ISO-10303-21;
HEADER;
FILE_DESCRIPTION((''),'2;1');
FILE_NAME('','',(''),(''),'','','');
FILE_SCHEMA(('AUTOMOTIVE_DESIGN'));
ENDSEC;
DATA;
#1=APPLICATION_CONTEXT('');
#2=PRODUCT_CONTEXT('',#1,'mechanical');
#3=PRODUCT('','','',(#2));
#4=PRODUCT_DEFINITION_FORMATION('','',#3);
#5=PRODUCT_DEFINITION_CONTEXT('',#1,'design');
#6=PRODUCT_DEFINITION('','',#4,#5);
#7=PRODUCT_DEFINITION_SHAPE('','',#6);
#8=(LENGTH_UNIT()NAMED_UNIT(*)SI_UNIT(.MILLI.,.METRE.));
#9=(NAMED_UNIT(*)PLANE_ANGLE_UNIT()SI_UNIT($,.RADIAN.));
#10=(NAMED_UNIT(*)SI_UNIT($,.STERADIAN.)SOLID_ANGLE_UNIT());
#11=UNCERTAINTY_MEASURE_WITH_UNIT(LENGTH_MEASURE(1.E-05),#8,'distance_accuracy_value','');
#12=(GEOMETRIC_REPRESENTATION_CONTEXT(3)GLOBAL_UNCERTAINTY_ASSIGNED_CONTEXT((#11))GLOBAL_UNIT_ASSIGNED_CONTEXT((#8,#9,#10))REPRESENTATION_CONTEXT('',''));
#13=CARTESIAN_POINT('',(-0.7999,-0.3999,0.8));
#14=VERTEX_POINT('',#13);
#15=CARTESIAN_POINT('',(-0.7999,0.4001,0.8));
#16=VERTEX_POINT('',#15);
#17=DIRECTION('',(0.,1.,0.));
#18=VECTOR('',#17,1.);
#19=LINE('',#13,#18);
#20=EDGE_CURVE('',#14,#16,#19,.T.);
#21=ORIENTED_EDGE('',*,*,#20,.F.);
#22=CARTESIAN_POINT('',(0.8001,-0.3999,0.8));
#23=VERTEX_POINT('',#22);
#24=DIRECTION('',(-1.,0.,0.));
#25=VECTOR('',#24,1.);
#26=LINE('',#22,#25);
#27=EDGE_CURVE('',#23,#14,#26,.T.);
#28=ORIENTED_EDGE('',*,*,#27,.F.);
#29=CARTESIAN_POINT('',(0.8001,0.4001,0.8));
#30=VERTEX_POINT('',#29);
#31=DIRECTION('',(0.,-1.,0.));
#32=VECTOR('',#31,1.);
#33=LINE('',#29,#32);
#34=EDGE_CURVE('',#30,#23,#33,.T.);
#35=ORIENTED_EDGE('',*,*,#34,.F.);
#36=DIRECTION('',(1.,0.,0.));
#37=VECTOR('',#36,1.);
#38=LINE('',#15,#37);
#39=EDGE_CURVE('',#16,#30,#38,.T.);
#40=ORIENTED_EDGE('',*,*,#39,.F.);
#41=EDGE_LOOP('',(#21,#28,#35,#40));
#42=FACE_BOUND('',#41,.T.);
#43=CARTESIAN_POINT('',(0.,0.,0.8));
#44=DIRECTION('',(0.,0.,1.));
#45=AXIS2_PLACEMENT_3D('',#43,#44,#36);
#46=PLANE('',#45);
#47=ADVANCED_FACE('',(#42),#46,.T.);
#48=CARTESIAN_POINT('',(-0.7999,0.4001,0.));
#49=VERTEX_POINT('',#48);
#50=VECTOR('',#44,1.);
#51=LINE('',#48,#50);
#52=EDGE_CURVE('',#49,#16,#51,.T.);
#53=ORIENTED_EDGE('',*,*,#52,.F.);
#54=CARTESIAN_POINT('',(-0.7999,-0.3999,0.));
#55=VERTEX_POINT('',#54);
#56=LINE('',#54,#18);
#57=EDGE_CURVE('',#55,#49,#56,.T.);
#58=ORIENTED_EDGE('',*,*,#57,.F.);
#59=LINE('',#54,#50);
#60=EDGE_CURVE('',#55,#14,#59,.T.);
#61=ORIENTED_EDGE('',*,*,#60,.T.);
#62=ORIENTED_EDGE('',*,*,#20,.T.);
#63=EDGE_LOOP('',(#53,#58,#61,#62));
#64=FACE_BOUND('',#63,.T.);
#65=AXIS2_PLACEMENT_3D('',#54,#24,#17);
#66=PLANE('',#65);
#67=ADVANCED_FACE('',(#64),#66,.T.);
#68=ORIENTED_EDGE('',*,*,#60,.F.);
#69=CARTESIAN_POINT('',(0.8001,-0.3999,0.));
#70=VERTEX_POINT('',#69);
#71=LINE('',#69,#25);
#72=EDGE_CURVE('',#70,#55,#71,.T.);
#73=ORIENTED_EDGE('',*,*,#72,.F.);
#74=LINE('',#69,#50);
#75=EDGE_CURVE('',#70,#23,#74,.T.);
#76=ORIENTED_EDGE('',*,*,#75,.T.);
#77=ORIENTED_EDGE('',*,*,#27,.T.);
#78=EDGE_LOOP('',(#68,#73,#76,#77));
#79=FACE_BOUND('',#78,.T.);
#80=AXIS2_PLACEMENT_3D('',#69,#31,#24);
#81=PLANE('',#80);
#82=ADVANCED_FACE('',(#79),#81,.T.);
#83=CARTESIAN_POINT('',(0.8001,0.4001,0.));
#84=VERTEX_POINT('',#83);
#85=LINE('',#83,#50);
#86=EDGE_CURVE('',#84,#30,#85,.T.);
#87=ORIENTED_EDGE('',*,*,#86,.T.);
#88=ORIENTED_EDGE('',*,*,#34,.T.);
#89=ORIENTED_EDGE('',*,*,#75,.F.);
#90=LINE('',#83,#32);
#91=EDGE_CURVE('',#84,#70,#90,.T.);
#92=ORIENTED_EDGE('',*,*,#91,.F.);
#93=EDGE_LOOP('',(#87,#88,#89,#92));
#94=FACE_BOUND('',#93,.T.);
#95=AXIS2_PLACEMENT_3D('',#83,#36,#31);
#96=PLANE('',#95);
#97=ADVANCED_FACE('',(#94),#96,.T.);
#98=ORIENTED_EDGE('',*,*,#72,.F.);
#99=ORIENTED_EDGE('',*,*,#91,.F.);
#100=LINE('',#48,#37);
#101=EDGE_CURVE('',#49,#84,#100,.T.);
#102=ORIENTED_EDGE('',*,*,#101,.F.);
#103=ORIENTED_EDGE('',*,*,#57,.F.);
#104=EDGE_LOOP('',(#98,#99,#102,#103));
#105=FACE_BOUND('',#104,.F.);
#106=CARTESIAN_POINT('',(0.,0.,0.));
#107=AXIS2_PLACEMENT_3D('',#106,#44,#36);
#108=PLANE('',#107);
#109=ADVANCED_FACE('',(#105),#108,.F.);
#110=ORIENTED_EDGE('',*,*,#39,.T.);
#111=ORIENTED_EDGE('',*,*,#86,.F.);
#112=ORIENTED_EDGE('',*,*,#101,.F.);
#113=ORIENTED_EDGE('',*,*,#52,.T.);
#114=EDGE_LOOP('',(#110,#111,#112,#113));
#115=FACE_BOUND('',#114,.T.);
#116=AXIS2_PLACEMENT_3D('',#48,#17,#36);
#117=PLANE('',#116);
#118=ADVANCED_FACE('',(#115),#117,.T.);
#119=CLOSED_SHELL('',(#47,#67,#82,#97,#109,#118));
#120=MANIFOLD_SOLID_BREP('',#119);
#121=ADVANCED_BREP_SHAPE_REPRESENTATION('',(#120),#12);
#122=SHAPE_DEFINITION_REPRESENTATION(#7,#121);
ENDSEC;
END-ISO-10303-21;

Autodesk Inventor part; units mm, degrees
ref_plane "YZ Plane" through (0, 0, 0) normal (1, 0, 0) x (0, 1, 0)
ref_plane "XZ Plane" through (0, 0, 0) normal (0, 1, 0) x (-1, 0, 0)
ref_plane "XY Plane" through (0, 0, 0) normal (0, 0, 1) x (1, 0, 0)
sketch "R0603, 100K_83" plane through (0, 0, 0) normal (0, 0, 1) x (1, 0, 0)
  line L0 (-0.7999, 0.4001) -> (0.8001, 0.4001)
  line L1 (0.8001, 0.4001) -> (0.8001, -0.3999)
  line L2 (0.8001, -0.3999) -> (-0.7999, -0.3999)
  line L3 (-0.7999, -0.3999) -> (-0.7999, 0.4001)
extrude "Extrusion1" add sketch "R0603, 100K_83" along normal blind 0.8
properties part number "100K"
